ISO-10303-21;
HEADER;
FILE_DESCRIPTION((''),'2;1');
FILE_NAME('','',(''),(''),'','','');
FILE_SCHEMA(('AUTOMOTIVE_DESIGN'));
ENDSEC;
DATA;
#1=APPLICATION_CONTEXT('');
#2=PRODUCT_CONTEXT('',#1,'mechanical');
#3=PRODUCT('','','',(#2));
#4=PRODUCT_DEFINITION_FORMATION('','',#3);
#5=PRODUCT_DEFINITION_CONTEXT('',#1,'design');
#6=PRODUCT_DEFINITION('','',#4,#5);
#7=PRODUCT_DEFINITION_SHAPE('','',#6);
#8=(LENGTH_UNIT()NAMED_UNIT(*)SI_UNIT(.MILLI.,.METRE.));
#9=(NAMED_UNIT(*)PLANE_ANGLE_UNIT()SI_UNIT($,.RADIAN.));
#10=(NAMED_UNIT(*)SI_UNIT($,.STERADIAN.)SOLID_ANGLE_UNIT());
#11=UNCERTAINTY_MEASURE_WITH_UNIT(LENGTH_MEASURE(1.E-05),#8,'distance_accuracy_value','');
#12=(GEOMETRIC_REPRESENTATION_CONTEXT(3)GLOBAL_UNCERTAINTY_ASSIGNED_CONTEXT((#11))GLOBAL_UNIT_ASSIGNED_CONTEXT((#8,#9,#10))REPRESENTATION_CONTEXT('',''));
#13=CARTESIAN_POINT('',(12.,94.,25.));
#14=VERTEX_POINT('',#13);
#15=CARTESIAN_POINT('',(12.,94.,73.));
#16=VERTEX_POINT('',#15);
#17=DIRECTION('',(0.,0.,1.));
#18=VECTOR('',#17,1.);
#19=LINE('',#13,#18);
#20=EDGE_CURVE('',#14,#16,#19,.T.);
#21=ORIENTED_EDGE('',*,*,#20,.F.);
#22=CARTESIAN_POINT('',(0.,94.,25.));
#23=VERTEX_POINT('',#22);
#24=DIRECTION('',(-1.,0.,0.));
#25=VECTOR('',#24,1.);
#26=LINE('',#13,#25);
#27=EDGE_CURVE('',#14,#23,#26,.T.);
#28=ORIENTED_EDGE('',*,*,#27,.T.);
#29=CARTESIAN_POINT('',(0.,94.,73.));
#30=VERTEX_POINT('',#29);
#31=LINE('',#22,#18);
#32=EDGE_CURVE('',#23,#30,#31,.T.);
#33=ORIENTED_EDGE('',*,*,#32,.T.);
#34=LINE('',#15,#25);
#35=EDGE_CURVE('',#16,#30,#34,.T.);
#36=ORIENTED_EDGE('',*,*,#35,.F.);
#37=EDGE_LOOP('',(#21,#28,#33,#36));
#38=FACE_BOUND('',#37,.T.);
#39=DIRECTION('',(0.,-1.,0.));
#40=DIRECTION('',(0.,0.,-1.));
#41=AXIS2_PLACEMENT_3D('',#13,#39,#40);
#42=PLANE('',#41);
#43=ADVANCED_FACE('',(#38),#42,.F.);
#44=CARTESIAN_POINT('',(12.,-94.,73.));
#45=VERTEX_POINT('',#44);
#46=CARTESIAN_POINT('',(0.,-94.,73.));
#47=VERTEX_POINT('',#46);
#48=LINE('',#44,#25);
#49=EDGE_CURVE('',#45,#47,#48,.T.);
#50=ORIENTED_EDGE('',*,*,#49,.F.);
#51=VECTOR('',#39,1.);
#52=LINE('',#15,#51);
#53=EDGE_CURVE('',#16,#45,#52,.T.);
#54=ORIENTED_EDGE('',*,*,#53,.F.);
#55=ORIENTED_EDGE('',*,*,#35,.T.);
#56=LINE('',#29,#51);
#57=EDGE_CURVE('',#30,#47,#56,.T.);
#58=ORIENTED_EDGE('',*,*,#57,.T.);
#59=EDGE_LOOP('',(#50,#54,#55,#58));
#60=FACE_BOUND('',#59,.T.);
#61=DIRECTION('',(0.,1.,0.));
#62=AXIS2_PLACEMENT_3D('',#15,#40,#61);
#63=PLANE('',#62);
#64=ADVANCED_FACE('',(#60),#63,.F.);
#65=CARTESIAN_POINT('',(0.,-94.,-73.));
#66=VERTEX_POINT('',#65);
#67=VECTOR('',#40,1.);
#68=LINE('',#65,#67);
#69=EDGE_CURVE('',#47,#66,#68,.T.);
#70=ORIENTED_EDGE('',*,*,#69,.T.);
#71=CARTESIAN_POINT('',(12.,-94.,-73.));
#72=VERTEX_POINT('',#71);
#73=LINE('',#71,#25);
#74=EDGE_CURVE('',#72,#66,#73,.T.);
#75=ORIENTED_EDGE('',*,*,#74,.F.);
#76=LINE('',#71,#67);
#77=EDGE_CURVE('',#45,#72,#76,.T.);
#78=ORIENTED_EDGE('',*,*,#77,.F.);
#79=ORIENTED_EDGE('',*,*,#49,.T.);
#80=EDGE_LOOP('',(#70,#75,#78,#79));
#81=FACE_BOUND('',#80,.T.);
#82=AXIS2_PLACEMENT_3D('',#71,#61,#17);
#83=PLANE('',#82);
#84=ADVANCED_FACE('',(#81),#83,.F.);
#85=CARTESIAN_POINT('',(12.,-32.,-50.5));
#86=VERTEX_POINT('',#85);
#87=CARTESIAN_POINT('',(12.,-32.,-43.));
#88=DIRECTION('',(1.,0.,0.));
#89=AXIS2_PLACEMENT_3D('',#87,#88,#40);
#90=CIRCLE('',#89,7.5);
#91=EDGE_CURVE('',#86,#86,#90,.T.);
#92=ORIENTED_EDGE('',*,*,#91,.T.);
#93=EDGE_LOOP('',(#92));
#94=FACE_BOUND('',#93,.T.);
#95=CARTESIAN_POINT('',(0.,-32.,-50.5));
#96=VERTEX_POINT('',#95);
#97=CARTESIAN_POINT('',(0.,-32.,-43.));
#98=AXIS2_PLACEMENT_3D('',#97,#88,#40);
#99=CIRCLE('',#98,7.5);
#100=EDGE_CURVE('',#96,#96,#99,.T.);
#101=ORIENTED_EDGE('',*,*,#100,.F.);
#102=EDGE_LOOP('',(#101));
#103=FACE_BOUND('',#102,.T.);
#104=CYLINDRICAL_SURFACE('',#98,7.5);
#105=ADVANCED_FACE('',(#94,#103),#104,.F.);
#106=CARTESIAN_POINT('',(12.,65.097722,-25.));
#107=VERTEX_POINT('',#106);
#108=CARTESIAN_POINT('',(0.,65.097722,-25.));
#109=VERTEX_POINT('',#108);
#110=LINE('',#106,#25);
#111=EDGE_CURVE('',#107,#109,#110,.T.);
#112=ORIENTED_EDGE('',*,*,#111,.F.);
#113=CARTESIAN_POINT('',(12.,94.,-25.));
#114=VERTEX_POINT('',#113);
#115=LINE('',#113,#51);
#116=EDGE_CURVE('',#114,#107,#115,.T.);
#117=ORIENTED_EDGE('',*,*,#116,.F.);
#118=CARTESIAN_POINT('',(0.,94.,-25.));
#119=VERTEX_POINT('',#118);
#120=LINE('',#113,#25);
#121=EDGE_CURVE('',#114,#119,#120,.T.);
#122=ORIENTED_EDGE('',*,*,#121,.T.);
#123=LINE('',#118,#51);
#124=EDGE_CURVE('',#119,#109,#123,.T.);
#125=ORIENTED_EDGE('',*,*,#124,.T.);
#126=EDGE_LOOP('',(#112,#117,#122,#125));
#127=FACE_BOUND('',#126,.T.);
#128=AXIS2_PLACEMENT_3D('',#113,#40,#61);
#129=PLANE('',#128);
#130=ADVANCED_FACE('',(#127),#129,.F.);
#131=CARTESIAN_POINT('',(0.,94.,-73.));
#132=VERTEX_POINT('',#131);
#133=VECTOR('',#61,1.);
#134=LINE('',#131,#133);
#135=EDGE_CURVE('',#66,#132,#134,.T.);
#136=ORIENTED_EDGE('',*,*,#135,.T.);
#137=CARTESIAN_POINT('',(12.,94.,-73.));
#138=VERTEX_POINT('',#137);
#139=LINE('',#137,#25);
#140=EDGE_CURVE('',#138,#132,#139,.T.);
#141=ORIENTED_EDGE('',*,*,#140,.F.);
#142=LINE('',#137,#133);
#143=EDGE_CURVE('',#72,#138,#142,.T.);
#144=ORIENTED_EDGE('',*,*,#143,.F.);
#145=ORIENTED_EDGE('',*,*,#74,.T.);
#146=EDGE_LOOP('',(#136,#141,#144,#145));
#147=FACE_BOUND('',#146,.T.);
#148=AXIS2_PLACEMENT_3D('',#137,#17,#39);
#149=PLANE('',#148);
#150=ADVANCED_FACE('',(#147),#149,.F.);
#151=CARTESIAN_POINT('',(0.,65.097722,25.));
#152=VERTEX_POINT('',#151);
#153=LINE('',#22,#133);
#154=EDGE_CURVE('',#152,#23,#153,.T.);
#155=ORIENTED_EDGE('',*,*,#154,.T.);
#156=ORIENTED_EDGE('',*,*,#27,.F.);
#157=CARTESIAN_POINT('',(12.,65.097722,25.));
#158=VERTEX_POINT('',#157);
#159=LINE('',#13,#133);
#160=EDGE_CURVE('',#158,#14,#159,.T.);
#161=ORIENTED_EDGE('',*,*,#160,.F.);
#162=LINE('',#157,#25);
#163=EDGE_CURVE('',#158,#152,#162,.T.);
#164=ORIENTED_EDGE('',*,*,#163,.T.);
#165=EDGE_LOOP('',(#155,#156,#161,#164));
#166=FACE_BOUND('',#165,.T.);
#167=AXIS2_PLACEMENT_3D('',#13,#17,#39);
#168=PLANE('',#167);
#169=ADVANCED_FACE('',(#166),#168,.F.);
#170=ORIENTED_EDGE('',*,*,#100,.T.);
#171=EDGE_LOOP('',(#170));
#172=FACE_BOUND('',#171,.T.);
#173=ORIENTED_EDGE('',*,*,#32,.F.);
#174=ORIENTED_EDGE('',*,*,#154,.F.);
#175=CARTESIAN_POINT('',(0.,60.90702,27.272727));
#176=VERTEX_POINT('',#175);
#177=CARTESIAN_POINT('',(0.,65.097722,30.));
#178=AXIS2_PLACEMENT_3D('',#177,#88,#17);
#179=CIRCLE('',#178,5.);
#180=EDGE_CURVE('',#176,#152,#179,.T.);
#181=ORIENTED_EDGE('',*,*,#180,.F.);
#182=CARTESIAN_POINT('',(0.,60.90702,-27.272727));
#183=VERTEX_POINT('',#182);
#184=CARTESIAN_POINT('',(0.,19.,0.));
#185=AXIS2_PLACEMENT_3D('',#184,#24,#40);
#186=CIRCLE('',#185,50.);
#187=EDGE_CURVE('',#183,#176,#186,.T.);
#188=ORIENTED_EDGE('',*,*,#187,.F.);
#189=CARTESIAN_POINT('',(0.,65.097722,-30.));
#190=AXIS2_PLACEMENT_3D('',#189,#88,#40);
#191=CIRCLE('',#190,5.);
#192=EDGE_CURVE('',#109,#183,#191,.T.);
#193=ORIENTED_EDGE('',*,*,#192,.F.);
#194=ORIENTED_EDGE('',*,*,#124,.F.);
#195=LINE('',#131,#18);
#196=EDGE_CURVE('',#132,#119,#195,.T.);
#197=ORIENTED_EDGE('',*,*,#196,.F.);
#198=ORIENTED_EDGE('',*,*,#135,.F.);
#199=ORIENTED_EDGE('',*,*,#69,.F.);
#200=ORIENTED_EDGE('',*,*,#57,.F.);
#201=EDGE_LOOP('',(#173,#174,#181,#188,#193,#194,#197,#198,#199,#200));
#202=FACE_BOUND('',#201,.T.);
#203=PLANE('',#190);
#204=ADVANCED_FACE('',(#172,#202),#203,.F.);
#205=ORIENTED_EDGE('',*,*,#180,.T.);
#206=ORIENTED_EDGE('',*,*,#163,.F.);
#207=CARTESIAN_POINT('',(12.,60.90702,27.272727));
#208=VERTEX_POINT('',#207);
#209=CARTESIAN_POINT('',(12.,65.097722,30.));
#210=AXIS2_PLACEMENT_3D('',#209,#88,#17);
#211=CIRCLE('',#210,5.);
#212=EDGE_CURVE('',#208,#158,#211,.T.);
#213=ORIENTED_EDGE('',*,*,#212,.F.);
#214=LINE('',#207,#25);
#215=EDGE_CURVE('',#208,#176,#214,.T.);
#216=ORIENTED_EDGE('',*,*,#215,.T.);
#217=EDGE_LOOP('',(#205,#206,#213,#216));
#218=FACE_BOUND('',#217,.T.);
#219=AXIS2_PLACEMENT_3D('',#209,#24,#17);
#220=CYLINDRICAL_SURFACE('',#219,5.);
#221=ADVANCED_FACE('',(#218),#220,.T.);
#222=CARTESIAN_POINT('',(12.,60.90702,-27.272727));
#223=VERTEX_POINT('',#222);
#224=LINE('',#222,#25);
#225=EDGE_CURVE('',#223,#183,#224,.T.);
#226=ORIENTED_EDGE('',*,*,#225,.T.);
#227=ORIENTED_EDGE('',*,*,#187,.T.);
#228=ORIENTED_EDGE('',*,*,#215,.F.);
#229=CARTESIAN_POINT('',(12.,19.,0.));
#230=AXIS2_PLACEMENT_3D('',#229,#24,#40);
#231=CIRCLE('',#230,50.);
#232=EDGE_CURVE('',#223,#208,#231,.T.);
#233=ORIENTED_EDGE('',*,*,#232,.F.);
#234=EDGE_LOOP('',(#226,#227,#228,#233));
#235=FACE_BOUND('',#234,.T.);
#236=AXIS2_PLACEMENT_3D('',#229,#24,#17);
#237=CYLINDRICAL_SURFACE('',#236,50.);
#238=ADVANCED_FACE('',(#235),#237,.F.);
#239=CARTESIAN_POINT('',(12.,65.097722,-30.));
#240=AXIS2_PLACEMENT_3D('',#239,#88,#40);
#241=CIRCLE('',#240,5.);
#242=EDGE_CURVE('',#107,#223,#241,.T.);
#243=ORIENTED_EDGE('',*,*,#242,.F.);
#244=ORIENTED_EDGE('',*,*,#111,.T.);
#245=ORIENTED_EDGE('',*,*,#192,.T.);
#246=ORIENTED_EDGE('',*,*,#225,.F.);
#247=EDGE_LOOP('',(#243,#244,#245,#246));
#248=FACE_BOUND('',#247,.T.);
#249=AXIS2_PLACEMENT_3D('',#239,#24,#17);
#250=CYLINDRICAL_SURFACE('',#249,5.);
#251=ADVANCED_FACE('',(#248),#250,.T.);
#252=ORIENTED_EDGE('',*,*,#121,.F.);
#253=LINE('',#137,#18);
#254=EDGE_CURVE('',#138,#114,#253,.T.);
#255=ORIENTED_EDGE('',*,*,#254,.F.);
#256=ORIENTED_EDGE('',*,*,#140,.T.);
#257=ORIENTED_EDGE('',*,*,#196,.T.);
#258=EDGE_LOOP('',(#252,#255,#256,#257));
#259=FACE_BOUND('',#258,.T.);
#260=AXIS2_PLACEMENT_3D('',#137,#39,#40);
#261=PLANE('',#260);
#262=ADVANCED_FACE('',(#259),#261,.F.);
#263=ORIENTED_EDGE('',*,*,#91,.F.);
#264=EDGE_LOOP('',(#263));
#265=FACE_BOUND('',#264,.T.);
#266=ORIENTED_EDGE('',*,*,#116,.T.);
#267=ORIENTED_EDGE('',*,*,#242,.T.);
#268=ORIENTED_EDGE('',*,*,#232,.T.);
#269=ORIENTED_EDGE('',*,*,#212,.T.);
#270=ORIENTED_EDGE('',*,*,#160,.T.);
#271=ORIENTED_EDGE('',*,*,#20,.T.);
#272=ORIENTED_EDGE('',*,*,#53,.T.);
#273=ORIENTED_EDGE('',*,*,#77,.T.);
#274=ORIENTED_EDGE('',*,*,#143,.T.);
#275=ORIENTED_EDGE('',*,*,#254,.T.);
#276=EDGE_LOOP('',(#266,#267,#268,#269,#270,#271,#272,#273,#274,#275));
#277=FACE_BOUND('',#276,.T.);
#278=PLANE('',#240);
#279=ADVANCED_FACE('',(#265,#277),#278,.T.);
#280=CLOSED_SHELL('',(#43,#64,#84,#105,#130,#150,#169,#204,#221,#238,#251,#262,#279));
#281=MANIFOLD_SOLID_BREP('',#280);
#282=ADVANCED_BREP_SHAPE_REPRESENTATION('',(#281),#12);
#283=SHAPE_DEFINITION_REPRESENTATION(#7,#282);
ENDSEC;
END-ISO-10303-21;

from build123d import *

# Parameters (mm, degrees)
BOSS_EXTRUDE1_DEPTH = 12
SKETCH2_R           = 7.5
CUT_EXTRUDE1_DEPTH  = 120.620232402


with BuildPart() as part:
    # Sketch1 → Boss-Extrude1 (new body)
    with BuildSketch(Plane(origin=(0, 0, 0), x_dir=(0, 0, -1), z_dir=(1, 0, 0))):
        with BuildLine():
            Line((73, 94), (25, 94))
            Line((25, 94), (25, 65.097722286))
            ThreePointArc((25, 65.097722286), (25.604754635, 62.714065813), (27.272727273, 60.90702026))
            ThreePointArc((27.272727273, 60.90702026), (0, -31), (-27.272727273, 60.90702026))
            ThreePointArc((-27.272727273, 60.90702026), (-25.604754635, 62.714065813), (-25, 65.097722286))
            Line((-25, 65.097722286), (-25, 94))
            Line((-25, 94), (-73, 94))
            Line((-73, 94), (-73, -94))
            Line((-73, -94), (73, -94))
            Line((73, -94), (73, 94))
        make_face()
    extrude(amount=BOSS_EXTRUDE1_DEPTH)

    # Sketch2 → Cut-Extrude1 (cut, through all)
    with BuildSketch(Plane(origin=(12, 0, 0), x_dir=(0, 0, -1), z_dir=(1, 0, 0))):
        with Locations((43, -32)):
            Circle(SKETCH2_R)
    extrude(amount=-CUT_EXTRUDE1_DEPTH, mode=Mode.SUBTRACT)


solid = part.part
